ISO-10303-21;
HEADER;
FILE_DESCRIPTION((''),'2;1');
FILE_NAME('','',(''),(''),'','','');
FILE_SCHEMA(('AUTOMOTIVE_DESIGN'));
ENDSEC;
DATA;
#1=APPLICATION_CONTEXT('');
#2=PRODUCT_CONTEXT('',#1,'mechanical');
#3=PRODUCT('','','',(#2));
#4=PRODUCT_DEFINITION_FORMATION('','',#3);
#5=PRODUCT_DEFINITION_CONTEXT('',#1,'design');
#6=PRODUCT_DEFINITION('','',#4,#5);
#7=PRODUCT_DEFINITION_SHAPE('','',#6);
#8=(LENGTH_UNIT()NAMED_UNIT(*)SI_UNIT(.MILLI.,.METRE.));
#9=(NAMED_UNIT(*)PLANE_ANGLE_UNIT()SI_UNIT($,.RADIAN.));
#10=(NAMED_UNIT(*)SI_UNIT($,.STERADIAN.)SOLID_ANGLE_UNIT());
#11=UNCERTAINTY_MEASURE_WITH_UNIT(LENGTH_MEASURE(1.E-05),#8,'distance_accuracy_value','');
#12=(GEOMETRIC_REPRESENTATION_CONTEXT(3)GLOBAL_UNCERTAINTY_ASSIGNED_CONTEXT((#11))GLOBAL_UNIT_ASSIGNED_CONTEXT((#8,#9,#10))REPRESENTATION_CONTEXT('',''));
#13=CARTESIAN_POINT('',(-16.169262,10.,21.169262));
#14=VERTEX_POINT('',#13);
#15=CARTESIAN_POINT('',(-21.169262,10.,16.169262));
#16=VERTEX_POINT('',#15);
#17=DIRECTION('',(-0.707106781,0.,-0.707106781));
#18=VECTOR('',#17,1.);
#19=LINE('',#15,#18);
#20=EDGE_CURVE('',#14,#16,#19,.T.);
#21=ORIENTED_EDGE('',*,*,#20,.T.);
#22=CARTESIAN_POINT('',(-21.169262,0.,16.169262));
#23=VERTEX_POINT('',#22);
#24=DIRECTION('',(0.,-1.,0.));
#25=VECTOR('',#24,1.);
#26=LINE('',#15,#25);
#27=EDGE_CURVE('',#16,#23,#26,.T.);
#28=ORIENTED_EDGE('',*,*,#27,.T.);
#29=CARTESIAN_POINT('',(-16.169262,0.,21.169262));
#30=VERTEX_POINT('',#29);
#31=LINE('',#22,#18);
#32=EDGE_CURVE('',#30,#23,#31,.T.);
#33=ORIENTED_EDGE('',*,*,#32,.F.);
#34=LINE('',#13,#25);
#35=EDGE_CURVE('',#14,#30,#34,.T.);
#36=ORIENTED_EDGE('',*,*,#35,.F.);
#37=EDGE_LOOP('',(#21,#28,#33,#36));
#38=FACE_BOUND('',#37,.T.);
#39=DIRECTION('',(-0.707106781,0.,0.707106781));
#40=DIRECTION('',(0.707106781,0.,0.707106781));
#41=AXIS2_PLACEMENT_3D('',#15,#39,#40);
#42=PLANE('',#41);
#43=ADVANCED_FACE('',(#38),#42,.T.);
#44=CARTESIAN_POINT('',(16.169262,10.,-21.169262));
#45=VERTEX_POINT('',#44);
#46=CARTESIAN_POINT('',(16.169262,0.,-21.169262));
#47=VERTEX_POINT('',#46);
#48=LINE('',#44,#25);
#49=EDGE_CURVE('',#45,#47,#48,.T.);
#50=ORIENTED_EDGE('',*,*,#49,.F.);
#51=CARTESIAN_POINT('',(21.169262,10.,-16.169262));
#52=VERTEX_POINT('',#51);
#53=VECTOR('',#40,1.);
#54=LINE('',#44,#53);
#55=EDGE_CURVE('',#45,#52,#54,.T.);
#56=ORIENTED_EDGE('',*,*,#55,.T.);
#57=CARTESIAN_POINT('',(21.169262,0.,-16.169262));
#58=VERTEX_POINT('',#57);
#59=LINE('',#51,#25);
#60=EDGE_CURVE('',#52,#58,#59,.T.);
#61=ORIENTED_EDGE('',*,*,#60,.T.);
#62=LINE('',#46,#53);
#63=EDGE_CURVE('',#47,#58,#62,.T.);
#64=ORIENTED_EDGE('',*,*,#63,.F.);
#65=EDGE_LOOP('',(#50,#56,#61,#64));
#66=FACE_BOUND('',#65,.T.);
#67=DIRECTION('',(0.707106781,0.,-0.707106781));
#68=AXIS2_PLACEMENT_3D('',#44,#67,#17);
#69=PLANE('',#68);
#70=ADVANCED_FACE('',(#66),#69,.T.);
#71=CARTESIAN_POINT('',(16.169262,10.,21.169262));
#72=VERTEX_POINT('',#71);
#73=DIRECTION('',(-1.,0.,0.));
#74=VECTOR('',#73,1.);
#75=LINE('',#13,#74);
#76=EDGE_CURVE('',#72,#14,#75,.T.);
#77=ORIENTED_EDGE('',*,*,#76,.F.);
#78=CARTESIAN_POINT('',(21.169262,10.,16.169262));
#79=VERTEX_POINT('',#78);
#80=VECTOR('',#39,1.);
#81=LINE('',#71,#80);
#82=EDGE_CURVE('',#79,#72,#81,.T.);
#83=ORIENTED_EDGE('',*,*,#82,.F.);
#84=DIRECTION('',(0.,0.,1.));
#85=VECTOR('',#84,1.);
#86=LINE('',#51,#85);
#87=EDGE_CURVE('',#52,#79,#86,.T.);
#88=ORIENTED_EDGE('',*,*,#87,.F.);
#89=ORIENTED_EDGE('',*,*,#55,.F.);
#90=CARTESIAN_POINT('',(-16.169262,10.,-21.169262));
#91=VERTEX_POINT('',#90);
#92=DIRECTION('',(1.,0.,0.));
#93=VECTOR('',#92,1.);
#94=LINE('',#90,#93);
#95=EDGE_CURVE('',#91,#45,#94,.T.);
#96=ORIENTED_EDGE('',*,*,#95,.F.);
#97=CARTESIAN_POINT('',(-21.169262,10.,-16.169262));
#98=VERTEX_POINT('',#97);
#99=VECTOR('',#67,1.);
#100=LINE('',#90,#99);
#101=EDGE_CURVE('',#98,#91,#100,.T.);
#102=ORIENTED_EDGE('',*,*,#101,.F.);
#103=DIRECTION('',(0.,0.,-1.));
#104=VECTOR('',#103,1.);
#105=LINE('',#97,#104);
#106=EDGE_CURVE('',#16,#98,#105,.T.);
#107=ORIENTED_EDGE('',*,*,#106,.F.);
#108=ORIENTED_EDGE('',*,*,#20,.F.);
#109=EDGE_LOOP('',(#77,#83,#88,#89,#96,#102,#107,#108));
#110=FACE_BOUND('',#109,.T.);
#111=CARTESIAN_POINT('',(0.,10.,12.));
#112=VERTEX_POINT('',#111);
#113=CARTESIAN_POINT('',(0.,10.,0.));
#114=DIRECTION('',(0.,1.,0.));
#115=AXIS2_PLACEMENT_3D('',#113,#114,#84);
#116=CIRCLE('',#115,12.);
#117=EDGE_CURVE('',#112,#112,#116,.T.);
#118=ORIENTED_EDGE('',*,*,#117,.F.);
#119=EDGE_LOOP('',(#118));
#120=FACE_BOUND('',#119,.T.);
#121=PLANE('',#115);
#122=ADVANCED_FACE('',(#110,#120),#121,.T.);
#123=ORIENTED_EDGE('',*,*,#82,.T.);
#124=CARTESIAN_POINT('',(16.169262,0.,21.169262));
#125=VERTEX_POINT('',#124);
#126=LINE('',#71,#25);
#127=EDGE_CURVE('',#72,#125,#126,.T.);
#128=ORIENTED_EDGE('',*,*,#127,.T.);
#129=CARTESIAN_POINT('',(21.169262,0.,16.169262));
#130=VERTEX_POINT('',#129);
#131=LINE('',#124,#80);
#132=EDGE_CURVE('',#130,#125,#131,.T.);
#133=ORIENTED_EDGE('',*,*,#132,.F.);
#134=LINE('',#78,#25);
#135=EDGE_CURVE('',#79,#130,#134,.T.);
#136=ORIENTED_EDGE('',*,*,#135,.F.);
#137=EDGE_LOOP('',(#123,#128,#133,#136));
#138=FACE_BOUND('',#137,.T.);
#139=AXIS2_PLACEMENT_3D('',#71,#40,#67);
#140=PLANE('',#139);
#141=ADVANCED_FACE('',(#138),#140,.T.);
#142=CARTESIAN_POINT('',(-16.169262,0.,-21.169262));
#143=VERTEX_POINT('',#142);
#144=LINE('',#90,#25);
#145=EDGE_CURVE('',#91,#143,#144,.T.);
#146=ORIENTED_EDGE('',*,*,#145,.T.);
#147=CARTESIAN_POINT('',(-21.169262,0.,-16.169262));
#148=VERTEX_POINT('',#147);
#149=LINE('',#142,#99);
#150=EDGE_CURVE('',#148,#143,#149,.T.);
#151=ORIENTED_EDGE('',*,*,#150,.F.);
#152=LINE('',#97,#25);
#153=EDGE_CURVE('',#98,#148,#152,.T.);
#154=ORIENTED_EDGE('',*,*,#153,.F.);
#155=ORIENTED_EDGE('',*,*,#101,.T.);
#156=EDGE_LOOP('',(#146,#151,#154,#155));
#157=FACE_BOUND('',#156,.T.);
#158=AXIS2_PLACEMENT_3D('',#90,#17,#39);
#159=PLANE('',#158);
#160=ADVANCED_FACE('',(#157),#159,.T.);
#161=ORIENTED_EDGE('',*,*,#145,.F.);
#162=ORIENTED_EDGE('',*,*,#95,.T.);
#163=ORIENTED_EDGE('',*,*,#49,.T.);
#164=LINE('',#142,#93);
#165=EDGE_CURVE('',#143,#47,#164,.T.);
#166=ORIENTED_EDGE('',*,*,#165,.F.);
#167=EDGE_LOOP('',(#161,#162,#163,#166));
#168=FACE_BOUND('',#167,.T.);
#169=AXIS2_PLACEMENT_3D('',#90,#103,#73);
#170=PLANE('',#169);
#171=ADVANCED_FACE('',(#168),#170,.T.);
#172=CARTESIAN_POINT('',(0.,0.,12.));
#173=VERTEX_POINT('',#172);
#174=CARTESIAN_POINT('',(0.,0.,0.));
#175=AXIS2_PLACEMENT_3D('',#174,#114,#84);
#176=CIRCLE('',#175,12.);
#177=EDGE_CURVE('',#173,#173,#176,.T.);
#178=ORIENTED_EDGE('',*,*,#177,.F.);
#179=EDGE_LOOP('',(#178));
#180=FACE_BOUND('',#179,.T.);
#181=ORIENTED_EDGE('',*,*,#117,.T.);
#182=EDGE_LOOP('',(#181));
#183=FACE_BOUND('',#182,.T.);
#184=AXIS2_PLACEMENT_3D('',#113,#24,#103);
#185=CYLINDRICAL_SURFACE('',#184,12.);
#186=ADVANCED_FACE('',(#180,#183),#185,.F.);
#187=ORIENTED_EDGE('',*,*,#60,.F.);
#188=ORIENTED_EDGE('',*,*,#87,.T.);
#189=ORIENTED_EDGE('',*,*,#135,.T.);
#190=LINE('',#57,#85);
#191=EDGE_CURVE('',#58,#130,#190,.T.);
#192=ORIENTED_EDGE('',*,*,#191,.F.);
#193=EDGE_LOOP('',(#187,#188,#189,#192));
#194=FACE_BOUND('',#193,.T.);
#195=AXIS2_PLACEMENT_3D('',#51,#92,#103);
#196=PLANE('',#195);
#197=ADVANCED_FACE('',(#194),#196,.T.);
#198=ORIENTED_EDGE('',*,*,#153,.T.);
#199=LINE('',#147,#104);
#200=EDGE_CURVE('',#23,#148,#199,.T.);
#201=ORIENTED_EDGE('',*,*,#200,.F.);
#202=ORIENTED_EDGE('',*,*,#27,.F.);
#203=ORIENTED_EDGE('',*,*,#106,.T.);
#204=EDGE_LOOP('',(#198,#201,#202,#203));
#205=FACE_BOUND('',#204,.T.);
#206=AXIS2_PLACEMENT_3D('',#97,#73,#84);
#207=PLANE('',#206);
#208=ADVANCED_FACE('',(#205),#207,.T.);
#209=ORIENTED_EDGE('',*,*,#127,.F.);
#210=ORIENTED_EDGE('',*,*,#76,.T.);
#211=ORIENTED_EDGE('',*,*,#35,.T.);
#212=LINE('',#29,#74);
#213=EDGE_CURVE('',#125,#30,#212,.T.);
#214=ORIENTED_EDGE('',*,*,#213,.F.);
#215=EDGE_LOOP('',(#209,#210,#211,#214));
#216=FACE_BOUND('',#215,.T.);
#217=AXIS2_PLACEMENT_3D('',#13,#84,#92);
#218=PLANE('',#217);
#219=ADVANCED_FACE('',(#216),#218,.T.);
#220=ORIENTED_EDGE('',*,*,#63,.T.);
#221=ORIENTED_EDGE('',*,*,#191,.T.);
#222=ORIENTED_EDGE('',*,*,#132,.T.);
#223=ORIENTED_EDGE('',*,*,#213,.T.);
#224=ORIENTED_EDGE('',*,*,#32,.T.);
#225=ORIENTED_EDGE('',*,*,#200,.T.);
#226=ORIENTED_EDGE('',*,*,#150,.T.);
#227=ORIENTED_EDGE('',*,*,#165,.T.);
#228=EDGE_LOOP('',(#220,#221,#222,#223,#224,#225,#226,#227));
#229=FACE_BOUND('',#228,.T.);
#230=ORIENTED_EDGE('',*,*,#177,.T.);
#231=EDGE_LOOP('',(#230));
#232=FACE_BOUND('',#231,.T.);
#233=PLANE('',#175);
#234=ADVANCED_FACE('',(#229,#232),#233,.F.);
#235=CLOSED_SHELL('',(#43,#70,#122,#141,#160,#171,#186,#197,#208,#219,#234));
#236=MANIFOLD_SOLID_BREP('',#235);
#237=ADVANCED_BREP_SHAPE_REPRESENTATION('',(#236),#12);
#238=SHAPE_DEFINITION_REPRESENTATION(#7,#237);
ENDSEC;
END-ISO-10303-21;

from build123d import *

# Parameters (mm, degrees)
SKETCH1_R          = 33.334829616
SKETCH1_R_2        = 12
EXTRUDE1_DEPTH     = 10
SKETCH2_W          = 68.7469374
SKETCH2_H          = 68.7469374
CUT_EXTRUDE1_DEPTH = 10


with BuildPart() as part:
    # Sketch1 → Extrude1 (new body)
    with BuildSketch(Plane(origin=(0, 0, 0), x_dir=(1, 0, 0), z_dir=(0, 1, 0))):
        with Locations(Location((0, 0, 0), (0, 0, 270))):
            Circle(SKETCH1_R)
        with Locations(Location((0, 0, 0), (0, 0, 270))):
            Circle(SKETCH1_R_2, mode=Mode.SUBTRACT)
    extrude(amount=EXTRUDE1_DEPTH)

    # Sketch2 → Cut-Extrude1 (cut)
    with BuildSketch(Plane.XZ):
        Rectangle(SKETCH2_W, SKETCH2_H)
        Polygon((16.16926222, 21.16926222), (21.16926222, 16.16926222), (21.16926222, -16.16926222), (16.16926222, -21.16926222), (-16.16926222, -21.16926222), (-21.16926222, -16.16926222), (-21.16926222, 16.16926222), (-16.16926222, 21.16926222), align=None, mode=Mode.SUBTRACT)
    extrude(amount=-CUT_EXTRUDE1_DEPTH, mode=Mode.SUBTRACT)


solid = part.part
